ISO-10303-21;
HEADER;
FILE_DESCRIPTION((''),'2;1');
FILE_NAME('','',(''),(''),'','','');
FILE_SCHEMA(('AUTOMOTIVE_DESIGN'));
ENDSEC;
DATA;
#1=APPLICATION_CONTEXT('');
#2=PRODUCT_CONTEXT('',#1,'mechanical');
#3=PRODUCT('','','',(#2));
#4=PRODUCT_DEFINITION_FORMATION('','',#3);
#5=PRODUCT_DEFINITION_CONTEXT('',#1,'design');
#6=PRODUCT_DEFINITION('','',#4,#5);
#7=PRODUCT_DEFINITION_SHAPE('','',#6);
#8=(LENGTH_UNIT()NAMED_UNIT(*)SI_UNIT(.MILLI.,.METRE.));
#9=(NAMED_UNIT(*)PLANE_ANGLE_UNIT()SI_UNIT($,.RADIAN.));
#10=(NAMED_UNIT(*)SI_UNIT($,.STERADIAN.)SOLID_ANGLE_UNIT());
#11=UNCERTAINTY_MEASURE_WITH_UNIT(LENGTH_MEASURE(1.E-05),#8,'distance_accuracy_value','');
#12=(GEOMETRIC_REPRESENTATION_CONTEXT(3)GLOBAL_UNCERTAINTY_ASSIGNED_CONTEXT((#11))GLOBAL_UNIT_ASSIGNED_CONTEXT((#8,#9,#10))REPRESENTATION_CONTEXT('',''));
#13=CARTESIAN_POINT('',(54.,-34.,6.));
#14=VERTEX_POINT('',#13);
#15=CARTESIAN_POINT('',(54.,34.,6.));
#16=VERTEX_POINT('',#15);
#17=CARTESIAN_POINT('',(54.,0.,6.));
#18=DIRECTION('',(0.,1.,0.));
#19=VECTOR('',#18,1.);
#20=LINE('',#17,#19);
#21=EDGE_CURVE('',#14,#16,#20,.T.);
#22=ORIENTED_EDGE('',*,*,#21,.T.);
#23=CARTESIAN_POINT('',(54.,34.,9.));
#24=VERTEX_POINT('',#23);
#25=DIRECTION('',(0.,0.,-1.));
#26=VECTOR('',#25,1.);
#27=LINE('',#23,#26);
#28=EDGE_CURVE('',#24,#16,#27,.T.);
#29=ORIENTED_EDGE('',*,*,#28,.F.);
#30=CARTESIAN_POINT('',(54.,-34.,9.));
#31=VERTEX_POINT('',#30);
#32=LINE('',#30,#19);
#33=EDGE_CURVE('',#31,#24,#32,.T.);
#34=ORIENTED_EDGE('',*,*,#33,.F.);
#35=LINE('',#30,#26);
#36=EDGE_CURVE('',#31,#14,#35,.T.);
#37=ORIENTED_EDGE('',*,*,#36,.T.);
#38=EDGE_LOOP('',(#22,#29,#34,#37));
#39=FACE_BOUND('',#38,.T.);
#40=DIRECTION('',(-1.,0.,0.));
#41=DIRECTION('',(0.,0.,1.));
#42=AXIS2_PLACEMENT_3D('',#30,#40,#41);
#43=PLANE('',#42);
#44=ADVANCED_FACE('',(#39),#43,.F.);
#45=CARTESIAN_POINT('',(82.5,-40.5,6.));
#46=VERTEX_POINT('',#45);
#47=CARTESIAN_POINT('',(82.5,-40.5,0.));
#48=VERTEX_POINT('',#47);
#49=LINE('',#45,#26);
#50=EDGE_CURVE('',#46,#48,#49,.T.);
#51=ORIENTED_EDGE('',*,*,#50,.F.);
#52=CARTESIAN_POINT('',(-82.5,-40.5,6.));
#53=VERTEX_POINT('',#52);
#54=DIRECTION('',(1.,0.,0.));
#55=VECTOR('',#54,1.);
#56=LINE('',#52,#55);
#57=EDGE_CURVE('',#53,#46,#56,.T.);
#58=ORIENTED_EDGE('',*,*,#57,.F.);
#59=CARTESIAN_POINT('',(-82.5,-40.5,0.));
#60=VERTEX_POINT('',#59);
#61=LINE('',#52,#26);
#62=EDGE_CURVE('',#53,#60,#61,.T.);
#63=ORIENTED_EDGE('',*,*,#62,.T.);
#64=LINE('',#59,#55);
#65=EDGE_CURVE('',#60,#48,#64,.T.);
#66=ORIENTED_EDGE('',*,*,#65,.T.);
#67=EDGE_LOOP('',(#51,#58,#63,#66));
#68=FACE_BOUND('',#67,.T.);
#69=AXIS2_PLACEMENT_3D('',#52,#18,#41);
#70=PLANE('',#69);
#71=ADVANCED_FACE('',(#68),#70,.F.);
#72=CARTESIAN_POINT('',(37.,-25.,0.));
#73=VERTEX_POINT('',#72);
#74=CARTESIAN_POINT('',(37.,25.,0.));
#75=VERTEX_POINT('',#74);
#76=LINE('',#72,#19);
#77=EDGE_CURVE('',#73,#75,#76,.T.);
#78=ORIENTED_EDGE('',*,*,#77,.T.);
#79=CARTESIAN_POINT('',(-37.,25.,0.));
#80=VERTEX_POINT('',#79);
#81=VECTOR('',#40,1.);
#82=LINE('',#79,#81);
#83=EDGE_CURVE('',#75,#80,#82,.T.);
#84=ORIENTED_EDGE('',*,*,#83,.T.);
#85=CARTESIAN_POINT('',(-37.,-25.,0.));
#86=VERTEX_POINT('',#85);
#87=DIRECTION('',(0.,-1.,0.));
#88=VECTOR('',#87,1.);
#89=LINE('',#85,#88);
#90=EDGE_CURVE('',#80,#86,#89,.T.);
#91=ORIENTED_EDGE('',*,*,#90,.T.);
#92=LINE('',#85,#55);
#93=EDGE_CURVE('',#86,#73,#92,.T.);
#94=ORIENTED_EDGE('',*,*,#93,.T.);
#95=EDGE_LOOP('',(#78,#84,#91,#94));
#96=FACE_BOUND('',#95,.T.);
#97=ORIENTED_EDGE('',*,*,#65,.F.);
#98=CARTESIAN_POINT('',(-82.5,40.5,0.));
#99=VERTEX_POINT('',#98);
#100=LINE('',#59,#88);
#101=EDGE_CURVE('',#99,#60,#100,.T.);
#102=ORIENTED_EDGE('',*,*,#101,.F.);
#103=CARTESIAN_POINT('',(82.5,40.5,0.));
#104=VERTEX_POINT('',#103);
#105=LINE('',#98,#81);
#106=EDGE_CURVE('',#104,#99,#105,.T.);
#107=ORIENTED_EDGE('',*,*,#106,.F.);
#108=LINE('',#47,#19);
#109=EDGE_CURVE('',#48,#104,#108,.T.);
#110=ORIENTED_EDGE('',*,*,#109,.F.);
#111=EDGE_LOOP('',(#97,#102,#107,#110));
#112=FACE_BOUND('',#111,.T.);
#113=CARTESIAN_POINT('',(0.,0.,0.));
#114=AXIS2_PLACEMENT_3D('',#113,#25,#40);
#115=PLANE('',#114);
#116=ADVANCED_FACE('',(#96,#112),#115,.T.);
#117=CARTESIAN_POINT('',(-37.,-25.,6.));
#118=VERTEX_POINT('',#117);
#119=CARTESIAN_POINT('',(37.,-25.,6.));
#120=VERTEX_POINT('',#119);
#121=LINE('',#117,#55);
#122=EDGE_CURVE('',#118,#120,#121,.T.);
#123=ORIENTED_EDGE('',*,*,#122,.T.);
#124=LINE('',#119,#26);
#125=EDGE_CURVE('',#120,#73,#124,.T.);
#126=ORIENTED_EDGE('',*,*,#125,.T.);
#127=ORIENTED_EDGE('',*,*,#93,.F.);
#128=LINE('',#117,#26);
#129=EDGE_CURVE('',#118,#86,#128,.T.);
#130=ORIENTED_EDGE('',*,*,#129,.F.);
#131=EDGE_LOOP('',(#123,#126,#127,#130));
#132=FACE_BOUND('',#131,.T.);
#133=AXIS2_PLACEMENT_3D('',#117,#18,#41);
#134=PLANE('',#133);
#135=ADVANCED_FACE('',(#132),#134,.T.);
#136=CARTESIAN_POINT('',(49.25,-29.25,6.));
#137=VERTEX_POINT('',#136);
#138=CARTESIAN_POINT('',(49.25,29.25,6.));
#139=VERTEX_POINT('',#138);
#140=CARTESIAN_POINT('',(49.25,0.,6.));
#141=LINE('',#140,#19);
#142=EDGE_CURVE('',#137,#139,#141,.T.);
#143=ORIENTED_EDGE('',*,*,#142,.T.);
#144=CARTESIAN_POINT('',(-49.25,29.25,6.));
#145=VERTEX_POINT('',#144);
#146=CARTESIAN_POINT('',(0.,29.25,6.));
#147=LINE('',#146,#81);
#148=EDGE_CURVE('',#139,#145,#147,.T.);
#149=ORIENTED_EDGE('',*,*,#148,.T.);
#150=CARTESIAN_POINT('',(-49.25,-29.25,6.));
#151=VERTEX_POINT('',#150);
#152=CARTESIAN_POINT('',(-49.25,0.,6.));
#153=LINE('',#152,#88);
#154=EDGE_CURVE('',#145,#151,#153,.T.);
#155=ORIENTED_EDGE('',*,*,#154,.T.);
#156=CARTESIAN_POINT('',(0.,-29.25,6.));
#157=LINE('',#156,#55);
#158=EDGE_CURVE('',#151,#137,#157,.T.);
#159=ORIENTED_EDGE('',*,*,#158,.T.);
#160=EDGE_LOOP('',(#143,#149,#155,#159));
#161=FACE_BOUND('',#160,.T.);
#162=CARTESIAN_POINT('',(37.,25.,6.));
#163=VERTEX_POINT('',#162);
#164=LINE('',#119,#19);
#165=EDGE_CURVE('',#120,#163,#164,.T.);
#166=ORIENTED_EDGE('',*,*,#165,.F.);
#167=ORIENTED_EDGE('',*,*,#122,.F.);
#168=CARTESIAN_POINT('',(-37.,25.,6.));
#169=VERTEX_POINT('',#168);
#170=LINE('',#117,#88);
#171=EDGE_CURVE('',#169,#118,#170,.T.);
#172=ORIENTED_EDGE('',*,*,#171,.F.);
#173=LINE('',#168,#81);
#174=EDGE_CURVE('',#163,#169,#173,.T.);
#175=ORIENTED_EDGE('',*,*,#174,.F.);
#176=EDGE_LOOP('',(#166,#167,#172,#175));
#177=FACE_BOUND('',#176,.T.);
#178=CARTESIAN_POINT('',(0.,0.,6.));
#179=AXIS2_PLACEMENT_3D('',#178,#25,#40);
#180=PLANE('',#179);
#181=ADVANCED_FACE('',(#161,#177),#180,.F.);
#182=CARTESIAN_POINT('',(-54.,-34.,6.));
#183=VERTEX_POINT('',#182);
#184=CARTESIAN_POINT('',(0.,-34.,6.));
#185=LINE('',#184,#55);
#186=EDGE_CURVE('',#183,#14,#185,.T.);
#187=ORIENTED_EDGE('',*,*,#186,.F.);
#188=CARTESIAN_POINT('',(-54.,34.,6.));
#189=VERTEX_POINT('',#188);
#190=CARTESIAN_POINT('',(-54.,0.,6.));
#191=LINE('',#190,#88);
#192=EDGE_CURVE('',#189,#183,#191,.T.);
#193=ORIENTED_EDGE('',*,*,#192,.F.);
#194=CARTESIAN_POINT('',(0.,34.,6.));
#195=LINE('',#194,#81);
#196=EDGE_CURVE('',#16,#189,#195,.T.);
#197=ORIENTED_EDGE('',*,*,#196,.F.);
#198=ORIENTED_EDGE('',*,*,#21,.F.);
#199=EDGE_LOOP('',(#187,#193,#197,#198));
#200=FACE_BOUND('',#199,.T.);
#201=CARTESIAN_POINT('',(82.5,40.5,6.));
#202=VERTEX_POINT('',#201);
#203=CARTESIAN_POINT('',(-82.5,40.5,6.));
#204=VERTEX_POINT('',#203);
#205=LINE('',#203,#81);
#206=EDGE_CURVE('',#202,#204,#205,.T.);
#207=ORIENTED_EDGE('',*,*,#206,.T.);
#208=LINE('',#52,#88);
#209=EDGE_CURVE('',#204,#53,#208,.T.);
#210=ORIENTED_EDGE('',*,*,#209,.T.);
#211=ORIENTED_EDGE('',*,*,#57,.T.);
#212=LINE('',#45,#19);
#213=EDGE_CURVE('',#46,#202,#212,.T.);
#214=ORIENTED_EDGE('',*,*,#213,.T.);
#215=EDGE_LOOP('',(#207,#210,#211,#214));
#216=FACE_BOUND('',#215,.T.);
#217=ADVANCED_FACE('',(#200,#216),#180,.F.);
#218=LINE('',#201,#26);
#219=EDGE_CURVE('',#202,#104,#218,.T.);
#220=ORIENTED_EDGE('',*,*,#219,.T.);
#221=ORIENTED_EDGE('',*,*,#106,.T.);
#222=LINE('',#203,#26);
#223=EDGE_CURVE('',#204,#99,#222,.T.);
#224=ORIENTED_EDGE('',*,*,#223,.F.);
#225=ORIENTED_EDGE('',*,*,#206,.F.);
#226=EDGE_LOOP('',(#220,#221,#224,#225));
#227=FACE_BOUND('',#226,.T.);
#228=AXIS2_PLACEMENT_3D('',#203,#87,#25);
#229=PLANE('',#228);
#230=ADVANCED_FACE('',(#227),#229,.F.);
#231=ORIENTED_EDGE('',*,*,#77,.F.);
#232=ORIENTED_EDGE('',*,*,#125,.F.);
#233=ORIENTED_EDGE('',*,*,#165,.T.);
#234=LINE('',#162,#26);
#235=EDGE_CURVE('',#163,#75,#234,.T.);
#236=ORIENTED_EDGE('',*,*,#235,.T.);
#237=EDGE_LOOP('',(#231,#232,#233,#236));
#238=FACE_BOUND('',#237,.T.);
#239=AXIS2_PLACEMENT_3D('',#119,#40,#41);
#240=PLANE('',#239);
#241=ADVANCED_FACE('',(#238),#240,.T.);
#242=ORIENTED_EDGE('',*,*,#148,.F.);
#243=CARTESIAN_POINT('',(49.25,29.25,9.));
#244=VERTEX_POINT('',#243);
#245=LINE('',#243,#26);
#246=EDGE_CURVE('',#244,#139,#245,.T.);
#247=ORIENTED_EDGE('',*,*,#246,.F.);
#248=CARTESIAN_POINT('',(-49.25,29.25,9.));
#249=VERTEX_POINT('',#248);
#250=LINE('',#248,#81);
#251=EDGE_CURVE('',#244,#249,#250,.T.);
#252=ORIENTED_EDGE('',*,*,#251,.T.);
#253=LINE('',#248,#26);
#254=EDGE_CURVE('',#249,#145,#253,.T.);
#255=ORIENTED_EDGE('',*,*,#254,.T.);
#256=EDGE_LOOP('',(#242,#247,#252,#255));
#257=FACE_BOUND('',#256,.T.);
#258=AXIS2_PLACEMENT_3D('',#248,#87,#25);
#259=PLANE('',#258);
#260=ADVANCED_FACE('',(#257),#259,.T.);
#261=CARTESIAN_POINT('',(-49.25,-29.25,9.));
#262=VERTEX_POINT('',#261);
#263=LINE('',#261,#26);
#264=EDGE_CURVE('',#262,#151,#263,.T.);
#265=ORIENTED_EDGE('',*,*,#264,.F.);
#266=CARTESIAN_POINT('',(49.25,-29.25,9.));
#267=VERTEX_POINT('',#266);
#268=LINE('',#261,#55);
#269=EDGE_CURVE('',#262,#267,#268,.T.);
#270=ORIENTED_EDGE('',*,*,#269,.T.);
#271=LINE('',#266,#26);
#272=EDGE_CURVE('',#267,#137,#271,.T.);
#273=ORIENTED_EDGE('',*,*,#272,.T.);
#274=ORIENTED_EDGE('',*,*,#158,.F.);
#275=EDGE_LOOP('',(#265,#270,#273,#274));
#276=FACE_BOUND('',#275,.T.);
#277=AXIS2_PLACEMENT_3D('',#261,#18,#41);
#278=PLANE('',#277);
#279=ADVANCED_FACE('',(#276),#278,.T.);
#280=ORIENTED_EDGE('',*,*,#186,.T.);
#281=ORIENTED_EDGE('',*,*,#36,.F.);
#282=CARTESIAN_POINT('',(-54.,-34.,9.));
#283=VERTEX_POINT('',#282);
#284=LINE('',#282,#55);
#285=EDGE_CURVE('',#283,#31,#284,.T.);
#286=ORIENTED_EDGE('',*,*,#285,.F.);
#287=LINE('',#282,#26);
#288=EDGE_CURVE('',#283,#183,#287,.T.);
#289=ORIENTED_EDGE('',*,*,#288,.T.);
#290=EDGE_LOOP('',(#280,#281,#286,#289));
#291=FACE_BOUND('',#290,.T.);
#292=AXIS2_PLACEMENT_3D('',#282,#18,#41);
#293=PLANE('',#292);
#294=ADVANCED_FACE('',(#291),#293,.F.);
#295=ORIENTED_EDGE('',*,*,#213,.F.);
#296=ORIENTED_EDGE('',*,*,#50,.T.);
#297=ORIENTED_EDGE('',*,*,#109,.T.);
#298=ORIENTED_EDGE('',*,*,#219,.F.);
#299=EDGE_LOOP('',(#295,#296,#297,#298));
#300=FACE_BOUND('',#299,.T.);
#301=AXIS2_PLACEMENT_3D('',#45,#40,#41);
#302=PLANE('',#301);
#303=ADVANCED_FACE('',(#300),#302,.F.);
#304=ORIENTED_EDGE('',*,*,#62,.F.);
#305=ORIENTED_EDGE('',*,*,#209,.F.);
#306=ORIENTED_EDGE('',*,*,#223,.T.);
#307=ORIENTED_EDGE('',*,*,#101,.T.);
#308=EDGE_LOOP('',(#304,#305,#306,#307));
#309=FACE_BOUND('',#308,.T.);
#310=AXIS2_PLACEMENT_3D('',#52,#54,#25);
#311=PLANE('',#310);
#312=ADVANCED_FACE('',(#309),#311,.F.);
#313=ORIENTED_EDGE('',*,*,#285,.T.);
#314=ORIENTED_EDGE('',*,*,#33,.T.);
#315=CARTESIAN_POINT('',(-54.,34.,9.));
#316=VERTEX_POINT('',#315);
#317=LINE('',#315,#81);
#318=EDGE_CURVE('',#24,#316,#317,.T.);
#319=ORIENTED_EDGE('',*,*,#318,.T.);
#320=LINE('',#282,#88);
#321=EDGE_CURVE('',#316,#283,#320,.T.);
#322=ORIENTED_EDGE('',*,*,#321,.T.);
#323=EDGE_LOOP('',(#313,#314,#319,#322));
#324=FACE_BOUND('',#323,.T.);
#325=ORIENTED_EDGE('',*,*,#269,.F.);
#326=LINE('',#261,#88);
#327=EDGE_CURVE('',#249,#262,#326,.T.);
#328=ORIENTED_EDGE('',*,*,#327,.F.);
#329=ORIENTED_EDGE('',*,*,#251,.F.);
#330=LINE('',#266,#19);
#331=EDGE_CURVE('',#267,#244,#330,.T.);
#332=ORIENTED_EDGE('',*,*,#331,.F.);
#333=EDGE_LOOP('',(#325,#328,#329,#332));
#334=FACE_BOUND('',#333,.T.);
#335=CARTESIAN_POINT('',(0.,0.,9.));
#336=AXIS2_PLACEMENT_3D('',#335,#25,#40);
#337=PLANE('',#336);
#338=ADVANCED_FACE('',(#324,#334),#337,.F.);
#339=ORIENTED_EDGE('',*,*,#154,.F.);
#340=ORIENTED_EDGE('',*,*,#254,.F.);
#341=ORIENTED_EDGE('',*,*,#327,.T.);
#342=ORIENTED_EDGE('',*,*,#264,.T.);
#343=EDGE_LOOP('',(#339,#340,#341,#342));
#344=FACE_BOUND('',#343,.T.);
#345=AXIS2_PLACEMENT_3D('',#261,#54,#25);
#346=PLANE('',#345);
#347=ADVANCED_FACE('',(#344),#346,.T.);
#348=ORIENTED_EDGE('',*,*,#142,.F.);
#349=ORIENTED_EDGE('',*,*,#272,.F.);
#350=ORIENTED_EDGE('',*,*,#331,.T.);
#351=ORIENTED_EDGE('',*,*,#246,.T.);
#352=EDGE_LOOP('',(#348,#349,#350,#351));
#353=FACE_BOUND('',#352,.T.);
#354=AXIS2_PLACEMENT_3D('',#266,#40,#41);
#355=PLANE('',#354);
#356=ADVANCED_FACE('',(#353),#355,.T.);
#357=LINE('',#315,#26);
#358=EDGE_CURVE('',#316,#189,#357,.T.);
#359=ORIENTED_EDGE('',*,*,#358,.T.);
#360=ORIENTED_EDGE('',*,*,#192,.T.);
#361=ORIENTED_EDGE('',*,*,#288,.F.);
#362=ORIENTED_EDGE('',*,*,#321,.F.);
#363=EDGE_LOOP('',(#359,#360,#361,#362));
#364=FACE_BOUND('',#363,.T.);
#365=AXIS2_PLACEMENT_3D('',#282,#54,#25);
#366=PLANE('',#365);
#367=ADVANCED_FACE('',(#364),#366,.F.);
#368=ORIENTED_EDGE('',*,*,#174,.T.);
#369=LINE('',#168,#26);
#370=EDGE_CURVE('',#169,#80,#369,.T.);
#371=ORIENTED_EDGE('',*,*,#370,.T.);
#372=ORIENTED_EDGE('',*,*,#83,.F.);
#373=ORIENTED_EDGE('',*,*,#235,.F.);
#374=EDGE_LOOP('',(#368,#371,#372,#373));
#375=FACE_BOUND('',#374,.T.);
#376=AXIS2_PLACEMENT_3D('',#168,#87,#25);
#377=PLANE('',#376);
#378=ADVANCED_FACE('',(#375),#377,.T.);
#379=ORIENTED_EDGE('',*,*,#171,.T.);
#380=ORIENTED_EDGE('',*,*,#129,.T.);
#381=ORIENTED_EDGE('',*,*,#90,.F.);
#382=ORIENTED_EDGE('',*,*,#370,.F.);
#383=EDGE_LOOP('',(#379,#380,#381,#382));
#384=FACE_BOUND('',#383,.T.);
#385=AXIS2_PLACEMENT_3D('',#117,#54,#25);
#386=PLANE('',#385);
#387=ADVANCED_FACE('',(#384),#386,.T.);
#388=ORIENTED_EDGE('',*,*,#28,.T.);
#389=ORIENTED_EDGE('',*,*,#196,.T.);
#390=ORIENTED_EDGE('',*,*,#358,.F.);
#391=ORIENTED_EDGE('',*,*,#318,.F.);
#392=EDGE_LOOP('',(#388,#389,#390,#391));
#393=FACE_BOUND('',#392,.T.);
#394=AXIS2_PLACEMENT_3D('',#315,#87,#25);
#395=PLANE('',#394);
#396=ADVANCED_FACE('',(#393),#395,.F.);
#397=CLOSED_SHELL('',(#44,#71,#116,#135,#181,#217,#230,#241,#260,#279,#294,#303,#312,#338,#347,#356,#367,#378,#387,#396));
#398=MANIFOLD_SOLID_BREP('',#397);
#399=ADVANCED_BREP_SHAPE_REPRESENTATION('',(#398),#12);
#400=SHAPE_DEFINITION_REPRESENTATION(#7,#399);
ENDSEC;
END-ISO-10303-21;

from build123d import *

# Parameters (mm, degrees)
SKETCH1_W           = 165
SKETCH1_H           = 81
SKETCH1_W_2         = 74
SKETCH1_H_2         = 50
BOSS_EXTRUDE1_DEPTH = 6
SKETCH2_W           = 108
SKETCH2_H           = 68
SKETCH2_W_2         = 98.5
SKETCH2_H_2         = 58.5
BOSS_EXTRUDE2_DEPTH = 9


with BuildPart() as part:
    # Sketch1 → Boss-Extrude1 (new body)
    with BuildSketch(Plane.XY):
        Rectangle(SKETCH1_W, SKETCH1_H)
        Rectangle(SKETCH1_W_2, SKETCH1_H_2, mode=Mode.SUBTRACT)
    extrude(amount=BOSS_EXTRUDE1_DEPTH)

    # Sketch2 → Boss-Extrude2 (add)
    with BuildSketch(Plane.XY):
        Rectangle(SKETCH2_W, SKETCH2_H)
        Rectangle(SKETCH2_W_2, SKETCH2_H_2, mode=Mode.SUBTRACT)
    extrude(amount=BOSS_EXTRUDE2_DEPTH)


solid = part.part
